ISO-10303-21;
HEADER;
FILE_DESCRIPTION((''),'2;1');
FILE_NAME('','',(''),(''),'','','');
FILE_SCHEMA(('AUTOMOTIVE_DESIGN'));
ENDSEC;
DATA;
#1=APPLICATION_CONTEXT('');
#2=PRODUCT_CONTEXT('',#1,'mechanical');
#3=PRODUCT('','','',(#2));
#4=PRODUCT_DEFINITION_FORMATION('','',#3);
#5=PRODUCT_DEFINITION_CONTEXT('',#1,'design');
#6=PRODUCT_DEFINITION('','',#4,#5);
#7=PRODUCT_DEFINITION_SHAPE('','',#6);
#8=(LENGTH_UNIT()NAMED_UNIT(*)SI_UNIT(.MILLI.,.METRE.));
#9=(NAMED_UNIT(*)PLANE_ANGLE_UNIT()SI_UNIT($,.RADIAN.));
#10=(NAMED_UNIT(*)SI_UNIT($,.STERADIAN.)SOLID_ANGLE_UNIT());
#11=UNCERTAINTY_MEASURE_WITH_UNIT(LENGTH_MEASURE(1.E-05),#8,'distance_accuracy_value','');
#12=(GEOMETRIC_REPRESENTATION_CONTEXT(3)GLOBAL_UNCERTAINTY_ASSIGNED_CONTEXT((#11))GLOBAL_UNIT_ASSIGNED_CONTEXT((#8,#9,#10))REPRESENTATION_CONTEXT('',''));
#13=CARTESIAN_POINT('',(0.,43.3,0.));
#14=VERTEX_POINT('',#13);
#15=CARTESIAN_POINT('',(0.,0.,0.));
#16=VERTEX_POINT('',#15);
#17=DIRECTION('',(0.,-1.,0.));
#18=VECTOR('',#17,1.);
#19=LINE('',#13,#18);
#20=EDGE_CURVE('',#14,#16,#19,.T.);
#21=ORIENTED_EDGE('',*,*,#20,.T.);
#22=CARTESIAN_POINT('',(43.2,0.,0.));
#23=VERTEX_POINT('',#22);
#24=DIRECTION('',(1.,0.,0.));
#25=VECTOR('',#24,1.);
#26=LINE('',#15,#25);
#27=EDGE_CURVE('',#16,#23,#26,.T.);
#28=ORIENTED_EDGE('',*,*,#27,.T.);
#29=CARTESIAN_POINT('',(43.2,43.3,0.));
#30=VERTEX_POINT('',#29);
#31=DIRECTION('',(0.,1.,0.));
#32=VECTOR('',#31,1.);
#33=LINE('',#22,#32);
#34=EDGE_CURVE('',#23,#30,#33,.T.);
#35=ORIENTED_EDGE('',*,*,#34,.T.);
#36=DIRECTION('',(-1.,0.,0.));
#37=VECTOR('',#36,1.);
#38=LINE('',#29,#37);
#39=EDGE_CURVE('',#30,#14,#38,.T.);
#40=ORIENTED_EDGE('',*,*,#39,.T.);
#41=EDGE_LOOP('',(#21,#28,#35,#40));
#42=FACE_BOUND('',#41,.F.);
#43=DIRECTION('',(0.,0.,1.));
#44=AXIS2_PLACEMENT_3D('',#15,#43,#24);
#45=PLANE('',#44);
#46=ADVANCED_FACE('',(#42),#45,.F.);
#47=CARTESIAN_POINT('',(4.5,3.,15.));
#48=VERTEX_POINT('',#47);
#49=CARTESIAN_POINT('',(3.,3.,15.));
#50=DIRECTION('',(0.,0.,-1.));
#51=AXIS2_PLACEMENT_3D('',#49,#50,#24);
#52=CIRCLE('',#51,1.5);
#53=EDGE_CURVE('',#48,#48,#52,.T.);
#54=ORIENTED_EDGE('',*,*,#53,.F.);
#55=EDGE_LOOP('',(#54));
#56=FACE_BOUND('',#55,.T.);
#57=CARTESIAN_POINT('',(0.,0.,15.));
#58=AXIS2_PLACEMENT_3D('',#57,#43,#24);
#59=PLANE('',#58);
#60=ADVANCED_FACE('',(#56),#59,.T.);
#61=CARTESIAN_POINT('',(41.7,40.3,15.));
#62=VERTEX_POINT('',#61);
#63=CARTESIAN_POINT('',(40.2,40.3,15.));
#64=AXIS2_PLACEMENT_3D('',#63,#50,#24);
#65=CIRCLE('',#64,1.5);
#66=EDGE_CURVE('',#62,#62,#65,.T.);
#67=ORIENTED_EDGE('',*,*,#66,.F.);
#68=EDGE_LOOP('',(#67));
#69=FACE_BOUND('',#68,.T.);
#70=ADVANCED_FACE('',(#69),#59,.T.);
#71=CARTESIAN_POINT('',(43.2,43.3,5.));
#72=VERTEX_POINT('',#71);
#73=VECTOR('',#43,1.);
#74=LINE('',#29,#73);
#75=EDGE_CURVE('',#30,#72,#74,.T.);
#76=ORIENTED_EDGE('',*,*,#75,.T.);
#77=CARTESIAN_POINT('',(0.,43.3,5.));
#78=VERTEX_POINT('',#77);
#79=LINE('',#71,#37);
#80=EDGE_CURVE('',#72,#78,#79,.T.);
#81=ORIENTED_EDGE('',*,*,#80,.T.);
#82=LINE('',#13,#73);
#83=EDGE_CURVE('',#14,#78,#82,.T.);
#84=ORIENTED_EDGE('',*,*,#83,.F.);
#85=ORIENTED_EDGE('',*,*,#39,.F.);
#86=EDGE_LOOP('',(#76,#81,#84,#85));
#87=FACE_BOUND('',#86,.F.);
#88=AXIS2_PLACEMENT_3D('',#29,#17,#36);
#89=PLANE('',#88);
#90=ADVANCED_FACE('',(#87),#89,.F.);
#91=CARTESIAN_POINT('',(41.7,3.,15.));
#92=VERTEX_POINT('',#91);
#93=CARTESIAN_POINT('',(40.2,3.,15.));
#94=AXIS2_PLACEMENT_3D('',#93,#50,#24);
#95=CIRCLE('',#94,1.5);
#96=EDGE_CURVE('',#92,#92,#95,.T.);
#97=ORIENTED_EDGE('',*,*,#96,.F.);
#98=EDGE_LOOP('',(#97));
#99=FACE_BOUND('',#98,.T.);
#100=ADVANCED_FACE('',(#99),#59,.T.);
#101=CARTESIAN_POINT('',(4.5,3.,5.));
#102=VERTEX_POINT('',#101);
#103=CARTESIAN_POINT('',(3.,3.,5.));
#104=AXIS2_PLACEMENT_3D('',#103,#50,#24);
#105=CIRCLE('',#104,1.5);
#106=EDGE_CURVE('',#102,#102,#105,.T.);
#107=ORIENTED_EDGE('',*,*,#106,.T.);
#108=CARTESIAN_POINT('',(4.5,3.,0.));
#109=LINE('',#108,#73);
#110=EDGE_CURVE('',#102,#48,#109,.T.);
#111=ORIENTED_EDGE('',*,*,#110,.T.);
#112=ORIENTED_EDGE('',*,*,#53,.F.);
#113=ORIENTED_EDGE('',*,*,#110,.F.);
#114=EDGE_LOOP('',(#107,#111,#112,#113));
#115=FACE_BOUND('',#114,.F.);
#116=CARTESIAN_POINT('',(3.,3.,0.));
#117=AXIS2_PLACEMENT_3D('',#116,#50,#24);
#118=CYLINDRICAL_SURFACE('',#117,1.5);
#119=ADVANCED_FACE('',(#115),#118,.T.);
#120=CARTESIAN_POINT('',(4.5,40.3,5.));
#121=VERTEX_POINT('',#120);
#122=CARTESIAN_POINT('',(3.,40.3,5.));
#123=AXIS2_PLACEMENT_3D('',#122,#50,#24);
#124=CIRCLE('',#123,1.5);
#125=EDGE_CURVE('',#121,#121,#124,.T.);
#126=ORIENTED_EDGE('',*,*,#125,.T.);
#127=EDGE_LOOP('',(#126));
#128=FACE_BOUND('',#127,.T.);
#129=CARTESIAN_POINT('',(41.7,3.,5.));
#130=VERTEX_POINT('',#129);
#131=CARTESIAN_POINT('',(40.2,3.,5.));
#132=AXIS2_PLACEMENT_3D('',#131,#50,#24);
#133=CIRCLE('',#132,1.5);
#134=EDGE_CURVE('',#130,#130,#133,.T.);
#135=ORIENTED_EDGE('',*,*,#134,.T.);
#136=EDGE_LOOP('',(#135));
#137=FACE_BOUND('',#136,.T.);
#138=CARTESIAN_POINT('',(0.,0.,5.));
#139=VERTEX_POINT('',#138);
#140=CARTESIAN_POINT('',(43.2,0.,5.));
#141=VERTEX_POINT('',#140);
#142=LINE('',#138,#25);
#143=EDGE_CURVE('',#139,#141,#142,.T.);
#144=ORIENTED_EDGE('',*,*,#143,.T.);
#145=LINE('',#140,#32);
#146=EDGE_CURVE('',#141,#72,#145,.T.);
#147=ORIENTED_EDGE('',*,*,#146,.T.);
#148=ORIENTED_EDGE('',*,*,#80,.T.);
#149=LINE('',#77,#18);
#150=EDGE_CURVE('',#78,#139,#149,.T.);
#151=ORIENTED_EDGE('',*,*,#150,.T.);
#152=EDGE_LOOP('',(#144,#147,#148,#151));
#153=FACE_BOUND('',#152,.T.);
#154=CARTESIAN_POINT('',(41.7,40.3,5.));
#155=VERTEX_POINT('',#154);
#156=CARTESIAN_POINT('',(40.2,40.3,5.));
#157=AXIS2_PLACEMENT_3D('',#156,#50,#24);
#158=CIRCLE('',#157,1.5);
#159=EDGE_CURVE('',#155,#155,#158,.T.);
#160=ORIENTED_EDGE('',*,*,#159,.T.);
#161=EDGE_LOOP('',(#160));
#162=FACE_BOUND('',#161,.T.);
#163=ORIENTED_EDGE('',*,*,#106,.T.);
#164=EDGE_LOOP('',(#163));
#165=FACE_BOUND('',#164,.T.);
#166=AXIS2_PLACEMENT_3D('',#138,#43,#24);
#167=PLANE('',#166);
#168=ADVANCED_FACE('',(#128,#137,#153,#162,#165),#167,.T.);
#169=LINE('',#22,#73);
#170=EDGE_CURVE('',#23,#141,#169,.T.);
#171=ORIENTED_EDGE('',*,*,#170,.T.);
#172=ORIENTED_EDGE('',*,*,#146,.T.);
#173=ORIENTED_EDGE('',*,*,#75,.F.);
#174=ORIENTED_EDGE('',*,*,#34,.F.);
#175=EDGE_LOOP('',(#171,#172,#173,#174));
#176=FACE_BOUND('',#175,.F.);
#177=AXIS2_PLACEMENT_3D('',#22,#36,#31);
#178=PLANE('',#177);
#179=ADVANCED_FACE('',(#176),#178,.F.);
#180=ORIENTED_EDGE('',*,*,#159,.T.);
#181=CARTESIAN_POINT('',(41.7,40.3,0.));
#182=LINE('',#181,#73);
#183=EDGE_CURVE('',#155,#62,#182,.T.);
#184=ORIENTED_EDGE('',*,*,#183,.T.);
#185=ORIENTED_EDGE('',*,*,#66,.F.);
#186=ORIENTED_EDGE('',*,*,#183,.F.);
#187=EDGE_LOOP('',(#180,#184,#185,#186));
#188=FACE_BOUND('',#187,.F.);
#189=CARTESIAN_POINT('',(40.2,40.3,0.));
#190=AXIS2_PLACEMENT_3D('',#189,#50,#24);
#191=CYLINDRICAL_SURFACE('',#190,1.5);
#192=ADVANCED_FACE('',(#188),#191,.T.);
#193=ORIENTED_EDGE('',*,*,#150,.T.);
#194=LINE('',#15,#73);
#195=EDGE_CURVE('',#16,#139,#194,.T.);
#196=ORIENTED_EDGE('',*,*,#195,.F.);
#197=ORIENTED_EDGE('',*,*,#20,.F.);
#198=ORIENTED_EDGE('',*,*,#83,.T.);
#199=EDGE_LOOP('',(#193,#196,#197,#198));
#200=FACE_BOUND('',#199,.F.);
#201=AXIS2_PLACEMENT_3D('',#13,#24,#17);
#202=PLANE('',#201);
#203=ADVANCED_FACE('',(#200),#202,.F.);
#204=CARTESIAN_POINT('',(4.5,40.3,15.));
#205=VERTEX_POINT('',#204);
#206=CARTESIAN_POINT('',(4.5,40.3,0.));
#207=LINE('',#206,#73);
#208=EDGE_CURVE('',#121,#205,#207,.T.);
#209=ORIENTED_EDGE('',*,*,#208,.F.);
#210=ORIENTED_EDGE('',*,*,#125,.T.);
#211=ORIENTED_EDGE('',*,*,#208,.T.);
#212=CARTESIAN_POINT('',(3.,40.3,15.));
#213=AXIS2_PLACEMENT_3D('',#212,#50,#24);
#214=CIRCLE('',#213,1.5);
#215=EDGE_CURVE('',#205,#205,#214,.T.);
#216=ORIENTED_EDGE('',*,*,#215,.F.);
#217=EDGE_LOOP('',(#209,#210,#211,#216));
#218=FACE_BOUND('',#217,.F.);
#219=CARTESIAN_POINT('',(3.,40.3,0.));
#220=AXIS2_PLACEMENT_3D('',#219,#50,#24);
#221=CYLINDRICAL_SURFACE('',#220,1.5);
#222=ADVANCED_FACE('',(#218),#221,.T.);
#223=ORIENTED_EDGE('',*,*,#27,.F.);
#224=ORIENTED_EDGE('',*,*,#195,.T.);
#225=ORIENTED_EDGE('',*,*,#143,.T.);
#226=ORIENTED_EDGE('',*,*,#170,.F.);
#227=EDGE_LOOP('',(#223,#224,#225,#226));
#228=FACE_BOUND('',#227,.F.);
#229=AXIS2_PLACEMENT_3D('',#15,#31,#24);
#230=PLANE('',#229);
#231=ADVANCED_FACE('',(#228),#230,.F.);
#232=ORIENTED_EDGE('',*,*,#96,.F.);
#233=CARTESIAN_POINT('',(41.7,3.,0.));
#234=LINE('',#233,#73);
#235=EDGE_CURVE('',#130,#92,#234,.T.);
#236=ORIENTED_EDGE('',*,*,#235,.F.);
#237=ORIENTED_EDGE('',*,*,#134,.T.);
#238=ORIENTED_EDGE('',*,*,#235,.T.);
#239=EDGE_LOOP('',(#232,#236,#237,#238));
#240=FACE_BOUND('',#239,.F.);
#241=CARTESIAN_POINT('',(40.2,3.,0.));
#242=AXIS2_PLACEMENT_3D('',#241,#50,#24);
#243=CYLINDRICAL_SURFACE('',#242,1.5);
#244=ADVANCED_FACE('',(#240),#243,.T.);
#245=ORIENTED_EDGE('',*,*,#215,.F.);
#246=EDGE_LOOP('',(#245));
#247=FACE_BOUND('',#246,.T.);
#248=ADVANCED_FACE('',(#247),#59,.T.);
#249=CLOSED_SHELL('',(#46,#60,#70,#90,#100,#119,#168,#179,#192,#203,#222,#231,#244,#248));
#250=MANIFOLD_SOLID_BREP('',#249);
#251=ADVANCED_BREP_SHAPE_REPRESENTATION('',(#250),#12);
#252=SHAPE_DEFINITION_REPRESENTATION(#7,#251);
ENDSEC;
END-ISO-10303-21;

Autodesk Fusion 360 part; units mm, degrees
sketch "Schizzo1" plane through (0, 0, 0) normal (0, 0, 1) x (1, 0, 0)
  line L0 (0, 0) -> (43.2, 0)
  line L1 (43.2, 0) -> (43.2, 43.3)
  line L2 (43.2, 43.3) -> (0, 43.3)
  line L3 (0, 43.3) -> (0, 0)
  line L4 (0, 0) -> (0, 1.5)
  line L5 (0, 43.3) -> (0, 41.8)
  line L6 (0, 43.3) -> (1.5, 43.3)
  line L7 (43.2, 43.3) -> (41.7, 43.3)
  line L8 (0, 1.5) -> (0, 3)
  line L9 (0, 43.3) -> (0, 40.3)
  line L10 (1.5, 43.3) -> (3, 43.3)
  line L11 (43.2, 43.3) -> (40.2, 43.3)
  line L12 (3, 43.3) -> (3, 0)
  line L13 (0, 3) -> (43.2, 3)
  line L14 (0, 40.3) -> (43.2, 40.3)
  line L15 (40.2, 43.3) -> (40.2, 0)
  circle A0 centre (3, 40.3) radius 1.5
  circle A1 centre (40.2, 40.3) radius 1.5
  circle A2 centre (3, 3) radius 1.5
  circle A3 centre (40.2, 3) radius 1.5
  dimension "d1" = 43.2
  dimension "d2" = 43.3
  dimension "d3" = 1.5
  dimension "d4" = 1.5
  dimension "d5" = 1.5
  dimension "d6" = 1.5
  dimension "d7" = 1.5
  dimension "d8" = 3
  dimension "d9" = 1.5
  dimension "d10" = 3
  dimension "d11" = 3
  dimension "d12" = 3
  dimension "d13" = 3
  dimension "d14" = 3
extrude "Estrusione1" add sketch "Schizzo1" along normal blind 15 contours L12 L13 A2 | L12 L13 A2 | L13 L15 A3 | L13 L15 A3 | L12 L13 A2 | L12 L13 A2 | L13 L15 A3 | L13 L15 A3 | L12 L14 A0 | L12 L14 A0 | L12 L14 A0 | L12 L14 A0 | L14 L15 A1 | L14 L15 A1 | L14 L15 A1 | L14 L15 A1 makes body 1 at (1.6178, 40.8827, 10) makes body 2 at (41.5173, 41.0174, 5) makes body 3 at (4.4925, 2.8506, 5) makes body 4 at (41.0756, 1.7821, 10)
sketch "Schizzo2" plane through (0, 0, 0) normal (0, 0, 1) x (1, 0, 0)
  line L0 (0, 0) -> (43.2, 0)
  line L1 (43.2, 0) -> (43.2, 43.3)
  line L2 (43.2, 43.3) -> (0, 43.3)
  line L3 (0, 43.3) -> (0, 0)
  dimension "d17" = 43.2
  dimension "d18" = 43.3
extrude "Estrusione2" add sketch "Schizzo2" along normal blind 5 bodies 1 2 3 4
